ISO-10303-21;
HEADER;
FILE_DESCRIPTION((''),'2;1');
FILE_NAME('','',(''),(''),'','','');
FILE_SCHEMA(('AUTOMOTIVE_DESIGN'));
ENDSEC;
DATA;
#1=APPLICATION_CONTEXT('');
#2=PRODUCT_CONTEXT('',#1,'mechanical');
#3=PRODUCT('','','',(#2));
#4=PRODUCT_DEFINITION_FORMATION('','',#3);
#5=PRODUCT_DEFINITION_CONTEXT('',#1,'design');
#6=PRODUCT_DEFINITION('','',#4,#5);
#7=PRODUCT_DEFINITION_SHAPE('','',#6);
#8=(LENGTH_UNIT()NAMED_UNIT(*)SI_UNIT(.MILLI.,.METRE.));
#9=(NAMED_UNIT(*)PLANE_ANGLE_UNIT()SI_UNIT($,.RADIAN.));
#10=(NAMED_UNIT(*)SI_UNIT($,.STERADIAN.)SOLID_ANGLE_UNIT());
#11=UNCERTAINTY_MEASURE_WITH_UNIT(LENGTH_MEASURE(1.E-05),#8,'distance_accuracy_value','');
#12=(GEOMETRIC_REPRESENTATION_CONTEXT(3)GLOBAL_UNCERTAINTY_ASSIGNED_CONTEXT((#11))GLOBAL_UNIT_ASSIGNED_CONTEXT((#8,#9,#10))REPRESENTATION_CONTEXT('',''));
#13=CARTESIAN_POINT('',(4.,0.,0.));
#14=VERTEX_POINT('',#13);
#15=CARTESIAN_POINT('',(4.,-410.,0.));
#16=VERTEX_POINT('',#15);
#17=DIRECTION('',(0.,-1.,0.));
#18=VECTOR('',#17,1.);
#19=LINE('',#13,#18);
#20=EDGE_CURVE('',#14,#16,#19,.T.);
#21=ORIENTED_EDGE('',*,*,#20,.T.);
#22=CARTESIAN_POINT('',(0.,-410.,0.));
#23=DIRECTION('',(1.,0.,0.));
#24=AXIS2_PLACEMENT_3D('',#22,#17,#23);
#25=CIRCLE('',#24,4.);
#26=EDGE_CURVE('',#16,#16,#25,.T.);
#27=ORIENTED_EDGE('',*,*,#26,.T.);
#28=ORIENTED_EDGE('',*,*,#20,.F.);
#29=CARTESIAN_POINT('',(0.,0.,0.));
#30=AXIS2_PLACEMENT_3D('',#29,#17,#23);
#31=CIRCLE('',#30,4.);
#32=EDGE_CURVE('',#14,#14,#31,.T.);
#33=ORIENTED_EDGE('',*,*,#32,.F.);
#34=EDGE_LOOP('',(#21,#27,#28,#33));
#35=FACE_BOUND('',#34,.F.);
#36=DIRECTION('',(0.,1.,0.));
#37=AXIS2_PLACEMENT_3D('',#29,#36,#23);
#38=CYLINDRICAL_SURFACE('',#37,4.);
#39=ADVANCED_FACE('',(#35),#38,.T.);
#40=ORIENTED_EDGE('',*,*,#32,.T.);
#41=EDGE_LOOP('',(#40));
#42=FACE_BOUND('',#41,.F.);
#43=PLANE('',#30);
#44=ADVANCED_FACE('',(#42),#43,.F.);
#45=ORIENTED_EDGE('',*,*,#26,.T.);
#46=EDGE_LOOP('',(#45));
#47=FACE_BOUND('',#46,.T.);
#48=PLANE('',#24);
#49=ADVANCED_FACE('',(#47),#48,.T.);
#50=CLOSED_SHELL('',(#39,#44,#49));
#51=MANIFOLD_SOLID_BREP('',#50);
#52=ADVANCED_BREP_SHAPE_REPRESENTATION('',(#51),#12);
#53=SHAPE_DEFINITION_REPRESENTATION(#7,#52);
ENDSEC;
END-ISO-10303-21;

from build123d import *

# Parameters (mm, degrees)
SKETCH_R  = 4
PAD_DEPTH = 410


with BuildPart() as part:
    # Sketch → Pad (new body)
    with BuildSketch(Plane.XZ):
        Circle(SKETCH_R)
    extrude(amount=PAD_DEPTH)


solid = part.part
